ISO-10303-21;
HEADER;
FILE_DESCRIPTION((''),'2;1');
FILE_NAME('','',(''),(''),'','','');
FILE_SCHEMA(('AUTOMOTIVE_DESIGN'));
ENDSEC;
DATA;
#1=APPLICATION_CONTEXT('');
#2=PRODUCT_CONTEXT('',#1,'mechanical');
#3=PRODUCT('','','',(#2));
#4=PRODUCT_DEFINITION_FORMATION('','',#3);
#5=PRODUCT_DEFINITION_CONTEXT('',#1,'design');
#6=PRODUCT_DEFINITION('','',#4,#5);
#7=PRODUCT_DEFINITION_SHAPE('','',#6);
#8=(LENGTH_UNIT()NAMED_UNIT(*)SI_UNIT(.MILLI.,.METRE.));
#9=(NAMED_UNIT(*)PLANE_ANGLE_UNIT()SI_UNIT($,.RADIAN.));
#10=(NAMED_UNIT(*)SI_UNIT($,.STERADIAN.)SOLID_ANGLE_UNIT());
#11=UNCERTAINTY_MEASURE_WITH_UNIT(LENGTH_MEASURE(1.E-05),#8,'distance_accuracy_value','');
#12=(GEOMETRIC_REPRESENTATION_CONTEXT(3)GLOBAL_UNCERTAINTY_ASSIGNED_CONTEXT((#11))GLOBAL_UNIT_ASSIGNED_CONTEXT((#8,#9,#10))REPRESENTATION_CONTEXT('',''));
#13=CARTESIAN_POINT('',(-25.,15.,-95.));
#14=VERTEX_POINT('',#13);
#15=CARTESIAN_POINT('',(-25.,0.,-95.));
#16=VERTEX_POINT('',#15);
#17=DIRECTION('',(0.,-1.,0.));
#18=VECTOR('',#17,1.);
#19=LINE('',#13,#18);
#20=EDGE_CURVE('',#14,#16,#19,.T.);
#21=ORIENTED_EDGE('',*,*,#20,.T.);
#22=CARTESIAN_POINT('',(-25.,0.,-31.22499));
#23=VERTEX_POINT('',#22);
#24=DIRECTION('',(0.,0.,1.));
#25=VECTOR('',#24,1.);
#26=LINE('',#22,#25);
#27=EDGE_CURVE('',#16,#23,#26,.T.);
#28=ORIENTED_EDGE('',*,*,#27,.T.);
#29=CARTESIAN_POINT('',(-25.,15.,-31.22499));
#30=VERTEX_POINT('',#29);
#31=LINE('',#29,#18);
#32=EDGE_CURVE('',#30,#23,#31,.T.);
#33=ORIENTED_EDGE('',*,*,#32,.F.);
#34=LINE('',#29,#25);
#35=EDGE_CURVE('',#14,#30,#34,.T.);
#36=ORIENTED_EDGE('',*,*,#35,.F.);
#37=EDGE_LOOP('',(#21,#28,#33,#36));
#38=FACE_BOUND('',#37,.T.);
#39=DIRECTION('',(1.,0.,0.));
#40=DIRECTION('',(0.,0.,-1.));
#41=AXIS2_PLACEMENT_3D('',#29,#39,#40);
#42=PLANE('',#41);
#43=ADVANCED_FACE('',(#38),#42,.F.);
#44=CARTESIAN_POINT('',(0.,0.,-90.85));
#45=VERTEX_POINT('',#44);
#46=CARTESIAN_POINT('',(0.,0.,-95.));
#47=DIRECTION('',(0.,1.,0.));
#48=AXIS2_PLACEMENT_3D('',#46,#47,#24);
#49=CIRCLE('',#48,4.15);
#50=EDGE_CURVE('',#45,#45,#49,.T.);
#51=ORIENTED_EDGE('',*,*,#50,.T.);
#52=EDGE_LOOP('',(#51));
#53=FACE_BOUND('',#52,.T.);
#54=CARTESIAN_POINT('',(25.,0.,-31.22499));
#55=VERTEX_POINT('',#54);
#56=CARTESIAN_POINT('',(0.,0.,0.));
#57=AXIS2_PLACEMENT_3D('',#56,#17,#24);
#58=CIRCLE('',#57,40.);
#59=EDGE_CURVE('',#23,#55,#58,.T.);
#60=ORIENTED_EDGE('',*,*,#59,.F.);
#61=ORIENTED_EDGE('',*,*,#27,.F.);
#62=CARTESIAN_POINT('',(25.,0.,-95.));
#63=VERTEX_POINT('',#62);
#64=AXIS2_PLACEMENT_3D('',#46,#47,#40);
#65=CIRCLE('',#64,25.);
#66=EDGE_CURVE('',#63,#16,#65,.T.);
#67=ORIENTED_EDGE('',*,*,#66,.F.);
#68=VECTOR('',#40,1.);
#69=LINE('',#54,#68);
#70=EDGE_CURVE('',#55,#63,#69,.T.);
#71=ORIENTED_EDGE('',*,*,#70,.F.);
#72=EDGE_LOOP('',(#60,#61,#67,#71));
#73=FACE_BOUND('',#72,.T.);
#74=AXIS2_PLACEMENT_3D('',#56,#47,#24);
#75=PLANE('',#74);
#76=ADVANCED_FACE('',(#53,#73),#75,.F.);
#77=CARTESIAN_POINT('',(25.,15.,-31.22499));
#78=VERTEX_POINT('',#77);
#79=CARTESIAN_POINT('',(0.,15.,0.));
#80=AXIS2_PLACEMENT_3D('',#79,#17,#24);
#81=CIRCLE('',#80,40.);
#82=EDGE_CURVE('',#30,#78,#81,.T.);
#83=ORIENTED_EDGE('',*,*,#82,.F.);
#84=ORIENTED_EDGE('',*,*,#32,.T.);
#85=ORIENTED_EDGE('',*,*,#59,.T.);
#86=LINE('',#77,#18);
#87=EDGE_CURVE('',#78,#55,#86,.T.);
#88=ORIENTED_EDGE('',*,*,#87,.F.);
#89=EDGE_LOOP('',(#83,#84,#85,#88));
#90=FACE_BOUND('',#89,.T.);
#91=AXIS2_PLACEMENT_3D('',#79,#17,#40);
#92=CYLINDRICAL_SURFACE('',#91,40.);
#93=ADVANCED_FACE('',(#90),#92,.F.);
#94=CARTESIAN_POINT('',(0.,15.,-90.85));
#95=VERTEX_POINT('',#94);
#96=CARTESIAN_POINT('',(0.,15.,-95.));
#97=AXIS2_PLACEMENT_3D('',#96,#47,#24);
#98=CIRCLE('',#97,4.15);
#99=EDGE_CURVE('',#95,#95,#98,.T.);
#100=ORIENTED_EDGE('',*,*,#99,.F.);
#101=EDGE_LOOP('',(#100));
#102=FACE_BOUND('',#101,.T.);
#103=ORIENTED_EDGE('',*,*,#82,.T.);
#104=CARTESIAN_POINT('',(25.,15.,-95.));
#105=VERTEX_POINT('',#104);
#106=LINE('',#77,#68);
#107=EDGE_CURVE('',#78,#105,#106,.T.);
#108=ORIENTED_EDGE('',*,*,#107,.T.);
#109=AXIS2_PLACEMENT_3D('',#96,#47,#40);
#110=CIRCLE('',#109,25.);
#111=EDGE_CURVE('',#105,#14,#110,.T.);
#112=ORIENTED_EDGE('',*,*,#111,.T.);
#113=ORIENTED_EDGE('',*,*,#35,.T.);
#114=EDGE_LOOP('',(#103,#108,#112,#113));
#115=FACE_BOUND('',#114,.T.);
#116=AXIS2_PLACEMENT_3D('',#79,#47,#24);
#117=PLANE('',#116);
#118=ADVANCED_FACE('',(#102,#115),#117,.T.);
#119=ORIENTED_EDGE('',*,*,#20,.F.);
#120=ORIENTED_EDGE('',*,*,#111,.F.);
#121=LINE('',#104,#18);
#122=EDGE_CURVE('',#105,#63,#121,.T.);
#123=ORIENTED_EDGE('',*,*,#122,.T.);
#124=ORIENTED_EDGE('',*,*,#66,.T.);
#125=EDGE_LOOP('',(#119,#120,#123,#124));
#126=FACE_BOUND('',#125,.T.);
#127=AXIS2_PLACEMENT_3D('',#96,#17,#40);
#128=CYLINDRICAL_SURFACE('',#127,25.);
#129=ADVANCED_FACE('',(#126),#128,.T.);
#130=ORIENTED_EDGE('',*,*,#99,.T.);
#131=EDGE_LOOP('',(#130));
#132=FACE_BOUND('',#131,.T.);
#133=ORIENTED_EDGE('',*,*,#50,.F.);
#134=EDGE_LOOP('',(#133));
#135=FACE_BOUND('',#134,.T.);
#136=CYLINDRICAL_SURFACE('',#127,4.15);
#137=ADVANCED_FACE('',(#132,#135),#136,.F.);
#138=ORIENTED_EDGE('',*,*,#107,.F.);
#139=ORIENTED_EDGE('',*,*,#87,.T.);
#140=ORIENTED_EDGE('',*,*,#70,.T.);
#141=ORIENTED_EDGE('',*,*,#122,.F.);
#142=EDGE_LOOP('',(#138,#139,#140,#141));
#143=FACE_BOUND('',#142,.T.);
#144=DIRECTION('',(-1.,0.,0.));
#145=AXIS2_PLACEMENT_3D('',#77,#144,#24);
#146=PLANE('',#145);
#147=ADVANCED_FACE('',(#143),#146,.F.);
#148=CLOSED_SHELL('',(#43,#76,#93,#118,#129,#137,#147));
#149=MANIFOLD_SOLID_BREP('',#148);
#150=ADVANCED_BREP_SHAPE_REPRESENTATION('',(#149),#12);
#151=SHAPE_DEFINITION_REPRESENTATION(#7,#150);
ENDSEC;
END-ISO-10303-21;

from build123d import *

# Parameters (mm, degrees)
ESQUISSE1_R        = 4.15
BOSS_EXTRU_1_DEPTH = 15


with BuildPart() as part:
    # Esquisse1 → Boss.-Extru.1 (new body)
    with BuildSketch(Plane(origin=(0, 0, 0), x_dir=(1, 0, 0), z_dir=(0, 1, 0))):
        with BuildLine():
            Line((25, 31.224989992), (25, 95))
            ThreePointArc((25, 95), (0, 120), (-25, 95))
            Line((-25, 95), (-25, 31.224989992))
            ThreePointArc((-25, 31.224989992), (0, 40), (25, 31.224989992))
        make_face()
        with Locations(Location((0, 95, 0), (0, 0, 270))):  # turned: the seam where the file's is
            Circle(ESQUISSE1_R, mode=Mode.SUBTRACT)
    extrude(amount=BOSS_EXTRU_1_DEPTH)


solid = part.part
